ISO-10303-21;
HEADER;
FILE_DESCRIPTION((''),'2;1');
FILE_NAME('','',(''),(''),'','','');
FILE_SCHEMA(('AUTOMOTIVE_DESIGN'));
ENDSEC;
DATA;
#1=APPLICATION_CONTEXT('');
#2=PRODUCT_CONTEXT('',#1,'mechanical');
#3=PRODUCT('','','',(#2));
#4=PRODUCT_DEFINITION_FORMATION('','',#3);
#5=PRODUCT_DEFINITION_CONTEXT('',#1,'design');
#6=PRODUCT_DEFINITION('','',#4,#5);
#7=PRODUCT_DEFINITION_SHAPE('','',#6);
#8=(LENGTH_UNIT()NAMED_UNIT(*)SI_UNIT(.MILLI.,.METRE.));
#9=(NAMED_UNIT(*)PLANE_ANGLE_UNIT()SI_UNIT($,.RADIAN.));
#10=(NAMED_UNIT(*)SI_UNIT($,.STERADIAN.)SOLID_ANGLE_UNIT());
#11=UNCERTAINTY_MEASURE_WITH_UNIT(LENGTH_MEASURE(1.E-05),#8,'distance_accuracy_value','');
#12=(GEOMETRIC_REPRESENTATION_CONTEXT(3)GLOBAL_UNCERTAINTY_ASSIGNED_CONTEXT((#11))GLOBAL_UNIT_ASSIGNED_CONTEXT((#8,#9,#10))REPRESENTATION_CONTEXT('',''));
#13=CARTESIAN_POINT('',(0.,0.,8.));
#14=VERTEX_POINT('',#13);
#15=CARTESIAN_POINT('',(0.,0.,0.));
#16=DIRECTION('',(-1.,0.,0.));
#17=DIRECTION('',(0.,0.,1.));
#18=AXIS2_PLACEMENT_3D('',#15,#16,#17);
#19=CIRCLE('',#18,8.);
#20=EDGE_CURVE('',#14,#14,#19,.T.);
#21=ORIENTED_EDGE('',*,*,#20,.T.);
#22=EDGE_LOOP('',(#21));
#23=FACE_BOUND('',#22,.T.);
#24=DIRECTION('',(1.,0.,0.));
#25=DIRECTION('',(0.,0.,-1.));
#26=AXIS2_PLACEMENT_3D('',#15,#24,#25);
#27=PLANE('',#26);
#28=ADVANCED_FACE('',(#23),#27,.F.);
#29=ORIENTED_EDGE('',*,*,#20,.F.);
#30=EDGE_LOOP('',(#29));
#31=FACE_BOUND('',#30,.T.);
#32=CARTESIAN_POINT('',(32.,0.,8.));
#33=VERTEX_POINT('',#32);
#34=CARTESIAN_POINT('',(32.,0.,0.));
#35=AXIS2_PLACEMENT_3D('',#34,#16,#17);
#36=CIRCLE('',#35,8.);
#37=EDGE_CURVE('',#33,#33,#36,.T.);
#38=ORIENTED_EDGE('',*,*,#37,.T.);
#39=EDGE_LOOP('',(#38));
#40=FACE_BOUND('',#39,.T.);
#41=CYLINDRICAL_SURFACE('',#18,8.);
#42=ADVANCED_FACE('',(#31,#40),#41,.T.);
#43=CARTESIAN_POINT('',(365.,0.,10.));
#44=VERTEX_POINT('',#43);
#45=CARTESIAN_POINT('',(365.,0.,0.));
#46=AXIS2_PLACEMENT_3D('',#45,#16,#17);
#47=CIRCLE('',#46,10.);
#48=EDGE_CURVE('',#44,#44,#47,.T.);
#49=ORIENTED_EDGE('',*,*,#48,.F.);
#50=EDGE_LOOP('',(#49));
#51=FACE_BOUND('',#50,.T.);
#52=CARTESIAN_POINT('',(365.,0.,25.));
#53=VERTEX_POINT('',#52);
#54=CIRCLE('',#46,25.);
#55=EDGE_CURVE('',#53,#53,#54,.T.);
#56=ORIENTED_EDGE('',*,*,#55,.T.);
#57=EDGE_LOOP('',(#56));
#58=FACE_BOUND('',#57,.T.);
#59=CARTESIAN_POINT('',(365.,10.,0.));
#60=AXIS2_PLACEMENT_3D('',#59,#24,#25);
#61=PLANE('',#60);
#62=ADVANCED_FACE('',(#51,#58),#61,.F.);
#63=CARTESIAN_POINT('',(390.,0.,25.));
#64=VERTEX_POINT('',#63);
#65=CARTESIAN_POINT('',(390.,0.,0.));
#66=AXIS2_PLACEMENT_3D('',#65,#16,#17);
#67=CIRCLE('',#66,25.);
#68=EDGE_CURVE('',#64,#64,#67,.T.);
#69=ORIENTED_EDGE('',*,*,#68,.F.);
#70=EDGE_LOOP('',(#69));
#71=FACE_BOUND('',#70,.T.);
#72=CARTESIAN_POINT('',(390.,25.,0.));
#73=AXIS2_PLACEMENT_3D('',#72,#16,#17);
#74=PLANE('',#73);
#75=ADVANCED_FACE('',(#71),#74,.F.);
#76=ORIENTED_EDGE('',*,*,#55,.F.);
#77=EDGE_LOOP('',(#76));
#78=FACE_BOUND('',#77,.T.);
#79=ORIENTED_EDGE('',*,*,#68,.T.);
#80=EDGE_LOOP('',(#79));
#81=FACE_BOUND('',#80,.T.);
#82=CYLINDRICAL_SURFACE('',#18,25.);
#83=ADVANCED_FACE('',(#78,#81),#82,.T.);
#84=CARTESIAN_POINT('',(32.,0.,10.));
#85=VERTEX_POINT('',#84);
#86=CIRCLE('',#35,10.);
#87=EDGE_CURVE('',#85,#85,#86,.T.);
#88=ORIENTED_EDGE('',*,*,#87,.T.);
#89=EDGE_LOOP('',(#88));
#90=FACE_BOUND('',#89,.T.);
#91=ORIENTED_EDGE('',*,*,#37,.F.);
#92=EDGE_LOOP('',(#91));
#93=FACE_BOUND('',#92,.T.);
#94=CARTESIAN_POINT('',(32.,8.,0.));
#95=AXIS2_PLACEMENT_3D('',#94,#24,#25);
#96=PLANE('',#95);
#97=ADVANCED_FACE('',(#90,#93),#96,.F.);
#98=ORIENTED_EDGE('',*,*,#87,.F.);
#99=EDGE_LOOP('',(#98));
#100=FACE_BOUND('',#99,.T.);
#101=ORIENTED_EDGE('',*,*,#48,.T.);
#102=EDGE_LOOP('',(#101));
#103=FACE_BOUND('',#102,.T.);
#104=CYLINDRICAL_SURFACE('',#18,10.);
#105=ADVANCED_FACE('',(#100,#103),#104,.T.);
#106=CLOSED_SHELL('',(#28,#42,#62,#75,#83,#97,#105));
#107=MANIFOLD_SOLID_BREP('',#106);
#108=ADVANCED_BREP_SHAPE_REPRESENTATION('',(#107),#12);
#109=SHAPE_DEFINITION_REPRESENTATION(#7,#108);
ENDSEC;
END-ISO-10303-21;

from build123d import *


with BuildPart() as part:
    # Esquisse1 → Révolution1 (revolve)
    with BuildSketch(Plane.XY, mode=Mode.PRIVATE) as r_volution1_sk:
        Polygon((0, 0), (0, 8), (32, 8), (32, 10), (365, 10), (365, 25), (390, 25), (390, 0), align=None)
    revolve(r_volution1_sk.sketch.rotate(Axis((0, 0, 0), (1, 0, 0)), 90), axis=Axis((0, 0, 0), (1, 0, 0)))


solid = part.part
